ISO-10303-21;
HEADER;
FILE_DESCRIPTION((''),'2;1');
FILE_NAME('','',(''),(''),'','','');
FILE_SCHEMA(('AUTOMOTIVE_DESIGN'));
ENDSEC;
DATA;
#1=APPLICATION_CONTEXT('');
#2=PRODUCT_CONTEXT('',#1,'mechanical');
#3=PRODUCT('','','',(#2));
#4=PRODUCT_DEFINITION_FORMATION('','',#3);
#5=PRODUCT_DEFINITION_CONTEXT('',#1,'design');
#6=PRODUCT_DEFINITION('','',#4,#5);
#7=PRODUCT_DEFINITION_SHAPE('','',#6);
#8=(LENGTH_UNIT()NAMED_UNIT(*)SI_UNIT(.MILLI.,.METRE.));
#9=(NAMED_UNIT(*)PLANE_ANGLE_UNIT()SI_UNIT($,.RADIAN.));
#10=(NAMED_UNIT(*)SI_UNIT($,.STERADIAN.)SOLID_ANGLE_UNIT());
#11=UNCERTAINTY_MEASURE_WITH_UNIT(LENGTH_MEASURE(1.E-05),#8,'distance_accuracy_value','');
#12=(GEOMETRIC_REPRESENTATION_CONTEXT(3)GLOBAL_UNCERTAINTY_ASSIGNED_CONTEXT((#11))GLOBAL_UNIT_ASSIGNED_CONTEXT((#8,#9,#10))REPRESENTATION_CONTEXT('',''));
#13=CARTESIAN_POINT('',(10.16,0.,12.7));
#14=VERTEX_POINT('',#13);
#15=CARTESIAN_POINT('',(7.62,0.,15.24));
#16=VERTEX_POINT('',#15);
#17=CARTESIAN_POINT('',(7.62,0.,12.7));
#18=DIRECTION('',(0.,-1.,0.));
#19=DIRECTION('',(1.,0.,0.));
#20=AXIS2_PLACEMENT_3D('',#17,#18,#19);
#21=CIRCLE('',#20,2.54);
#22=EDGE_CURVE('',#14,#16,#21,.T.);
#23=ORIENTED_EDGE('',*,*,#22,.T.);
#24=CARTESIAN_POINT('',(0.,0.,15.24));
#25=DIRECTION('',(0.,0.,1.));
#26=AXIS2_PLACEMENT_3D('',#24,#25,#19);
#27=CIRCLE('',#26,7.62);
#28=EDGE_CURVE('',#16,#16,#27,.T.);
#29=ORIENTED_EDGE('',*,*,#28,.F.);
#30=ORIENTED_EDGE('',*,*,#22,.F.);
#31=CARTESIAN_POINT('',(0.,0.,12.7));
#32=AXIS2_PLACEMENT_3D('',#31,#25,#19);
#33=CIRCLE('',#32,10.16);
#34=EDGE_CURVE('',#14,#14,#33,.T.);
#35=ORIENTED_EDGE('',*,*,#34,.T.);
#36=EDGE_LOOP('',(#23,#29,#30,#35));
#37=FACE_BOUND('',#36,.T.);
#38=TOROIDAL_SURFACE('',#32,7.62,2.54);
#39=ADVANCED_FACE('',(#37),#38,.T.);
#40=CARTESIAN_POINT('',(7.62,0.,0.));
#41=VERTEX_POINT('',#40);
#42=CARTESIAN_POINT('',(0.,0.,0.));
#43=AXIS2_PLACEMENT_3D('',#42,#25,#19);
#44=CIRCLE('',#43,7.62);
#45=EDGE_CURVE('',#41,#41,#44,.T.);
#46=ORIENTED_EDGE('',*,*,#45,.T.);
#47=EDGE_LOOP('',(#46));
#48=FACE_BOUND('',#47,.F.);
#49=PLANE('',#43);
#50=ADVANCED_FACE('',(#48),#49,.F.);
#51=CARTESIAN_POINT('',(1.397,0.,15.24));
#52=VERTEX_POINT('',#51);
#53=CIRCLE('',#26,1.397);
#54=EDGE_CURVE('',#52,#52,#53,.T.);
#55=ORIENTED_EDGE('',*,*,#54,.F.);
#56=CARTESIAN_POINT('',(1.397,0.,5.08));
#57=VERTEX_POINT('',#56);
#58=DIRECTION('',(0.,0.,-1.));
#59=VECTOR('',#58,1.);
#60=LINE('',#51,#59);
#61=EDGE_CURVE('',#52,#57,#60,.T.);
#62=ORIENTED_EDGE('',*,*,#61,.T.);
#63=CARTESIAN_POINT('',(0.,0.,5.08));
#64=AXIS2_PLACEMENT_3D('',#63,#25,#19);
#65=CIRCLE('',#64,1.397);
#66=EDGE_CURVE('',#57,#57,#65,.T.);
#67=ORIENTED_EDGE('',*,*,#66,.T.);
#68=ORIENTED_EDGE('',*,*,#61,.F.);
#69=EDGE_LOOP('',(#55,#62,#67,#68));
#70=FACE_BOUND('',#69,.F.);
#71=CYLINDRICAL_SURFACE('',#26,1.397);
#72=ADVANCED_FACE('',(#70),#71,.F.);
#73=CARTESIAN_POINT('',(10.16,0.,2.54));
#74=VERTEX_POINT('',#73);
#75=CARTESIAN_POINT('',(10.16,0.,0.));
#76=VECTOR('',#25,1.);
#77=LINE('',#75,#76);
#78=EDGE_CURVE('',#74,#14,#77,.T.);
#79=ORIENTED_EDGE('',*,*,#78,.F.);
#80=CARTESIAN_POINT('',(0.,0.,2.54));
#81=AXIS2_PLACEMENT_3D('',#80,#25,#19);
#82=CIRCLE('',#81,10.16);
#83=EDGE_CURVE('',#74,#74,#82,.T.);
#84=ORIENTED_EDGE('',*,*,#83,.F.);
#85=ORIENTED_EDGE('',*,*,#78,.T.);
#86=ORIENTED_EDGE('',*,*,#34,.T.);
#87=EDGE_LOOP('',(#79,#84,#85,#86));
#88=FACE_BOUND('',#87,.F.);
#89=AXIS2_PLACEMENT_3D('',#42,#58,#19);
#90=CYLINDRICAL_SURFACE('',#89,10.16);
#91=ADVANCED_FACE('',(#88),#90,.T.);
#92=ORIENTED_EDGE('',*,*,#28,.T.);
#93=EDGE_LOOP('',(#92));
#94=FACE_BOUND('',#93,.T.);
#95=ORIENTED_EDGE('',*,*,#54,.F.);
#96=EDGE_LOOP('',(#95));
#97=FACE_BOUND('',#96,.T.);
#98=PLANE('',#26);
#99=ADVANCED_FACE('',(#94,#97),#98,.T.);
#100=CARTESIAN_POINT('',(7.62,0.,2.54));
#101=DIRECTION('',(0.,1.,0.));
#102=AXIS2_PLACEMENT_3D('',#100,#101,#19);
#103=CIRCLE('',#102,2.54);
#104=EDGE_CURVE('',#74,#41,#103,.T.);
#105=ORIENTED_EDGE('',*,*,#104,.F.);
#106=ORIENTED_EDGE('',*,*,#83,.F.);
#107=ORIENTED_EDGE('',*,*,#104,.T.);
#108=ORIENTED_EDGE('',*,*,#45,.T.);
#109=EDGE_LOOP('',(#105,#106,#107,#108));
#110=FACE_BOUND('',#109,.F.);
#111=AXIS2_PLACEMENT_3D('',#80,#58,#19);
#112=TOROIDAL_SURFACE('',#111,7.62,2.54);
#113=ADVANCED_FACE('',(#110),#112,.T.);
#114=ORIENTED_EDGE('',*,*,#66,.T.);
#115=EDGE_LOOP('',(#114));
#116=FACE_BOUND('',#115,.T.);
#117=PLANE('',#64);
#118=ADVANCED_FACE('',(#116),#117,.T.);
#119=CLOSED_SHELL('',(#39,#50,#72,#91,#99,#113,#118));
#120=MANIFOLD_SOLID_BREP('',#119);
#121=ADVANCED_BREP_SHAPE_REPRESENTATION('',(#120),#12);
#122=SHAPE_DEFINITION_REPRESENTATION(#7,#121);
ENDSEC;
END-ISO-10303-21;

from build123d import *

# Parameters (mm, degrees)
F0_R     = 10.16
F1_DEPTH = 15.24
F2_R     = 2.54
F3_R     = 1.397
F4_DEPTH = 10.16


with BuildPart() as f1:
    # F0 (on Top) → F1 (new body)
    with BuildSketch(Plane.XY):
        Circle(F0_R)
    extrude(amount=F1_DEPTH)

    # F2
    f2_edges = [f1.edges().sort_by_distance(p)[0] for p in [
        (-10.16, 0, 0),
        (-10.16, 0, 15.24),
    ]]
    fillet(f2_edges, radius=F2_R)

    # F3 (on face) → F4 (cut)
    with BuildSketch(Plane.XY.offset(15.24)):
        Circle(F3_R)
    extrude(amount=-F4_DEPTH, mode=Mode.SUBTRACT)


solid = f1.part
